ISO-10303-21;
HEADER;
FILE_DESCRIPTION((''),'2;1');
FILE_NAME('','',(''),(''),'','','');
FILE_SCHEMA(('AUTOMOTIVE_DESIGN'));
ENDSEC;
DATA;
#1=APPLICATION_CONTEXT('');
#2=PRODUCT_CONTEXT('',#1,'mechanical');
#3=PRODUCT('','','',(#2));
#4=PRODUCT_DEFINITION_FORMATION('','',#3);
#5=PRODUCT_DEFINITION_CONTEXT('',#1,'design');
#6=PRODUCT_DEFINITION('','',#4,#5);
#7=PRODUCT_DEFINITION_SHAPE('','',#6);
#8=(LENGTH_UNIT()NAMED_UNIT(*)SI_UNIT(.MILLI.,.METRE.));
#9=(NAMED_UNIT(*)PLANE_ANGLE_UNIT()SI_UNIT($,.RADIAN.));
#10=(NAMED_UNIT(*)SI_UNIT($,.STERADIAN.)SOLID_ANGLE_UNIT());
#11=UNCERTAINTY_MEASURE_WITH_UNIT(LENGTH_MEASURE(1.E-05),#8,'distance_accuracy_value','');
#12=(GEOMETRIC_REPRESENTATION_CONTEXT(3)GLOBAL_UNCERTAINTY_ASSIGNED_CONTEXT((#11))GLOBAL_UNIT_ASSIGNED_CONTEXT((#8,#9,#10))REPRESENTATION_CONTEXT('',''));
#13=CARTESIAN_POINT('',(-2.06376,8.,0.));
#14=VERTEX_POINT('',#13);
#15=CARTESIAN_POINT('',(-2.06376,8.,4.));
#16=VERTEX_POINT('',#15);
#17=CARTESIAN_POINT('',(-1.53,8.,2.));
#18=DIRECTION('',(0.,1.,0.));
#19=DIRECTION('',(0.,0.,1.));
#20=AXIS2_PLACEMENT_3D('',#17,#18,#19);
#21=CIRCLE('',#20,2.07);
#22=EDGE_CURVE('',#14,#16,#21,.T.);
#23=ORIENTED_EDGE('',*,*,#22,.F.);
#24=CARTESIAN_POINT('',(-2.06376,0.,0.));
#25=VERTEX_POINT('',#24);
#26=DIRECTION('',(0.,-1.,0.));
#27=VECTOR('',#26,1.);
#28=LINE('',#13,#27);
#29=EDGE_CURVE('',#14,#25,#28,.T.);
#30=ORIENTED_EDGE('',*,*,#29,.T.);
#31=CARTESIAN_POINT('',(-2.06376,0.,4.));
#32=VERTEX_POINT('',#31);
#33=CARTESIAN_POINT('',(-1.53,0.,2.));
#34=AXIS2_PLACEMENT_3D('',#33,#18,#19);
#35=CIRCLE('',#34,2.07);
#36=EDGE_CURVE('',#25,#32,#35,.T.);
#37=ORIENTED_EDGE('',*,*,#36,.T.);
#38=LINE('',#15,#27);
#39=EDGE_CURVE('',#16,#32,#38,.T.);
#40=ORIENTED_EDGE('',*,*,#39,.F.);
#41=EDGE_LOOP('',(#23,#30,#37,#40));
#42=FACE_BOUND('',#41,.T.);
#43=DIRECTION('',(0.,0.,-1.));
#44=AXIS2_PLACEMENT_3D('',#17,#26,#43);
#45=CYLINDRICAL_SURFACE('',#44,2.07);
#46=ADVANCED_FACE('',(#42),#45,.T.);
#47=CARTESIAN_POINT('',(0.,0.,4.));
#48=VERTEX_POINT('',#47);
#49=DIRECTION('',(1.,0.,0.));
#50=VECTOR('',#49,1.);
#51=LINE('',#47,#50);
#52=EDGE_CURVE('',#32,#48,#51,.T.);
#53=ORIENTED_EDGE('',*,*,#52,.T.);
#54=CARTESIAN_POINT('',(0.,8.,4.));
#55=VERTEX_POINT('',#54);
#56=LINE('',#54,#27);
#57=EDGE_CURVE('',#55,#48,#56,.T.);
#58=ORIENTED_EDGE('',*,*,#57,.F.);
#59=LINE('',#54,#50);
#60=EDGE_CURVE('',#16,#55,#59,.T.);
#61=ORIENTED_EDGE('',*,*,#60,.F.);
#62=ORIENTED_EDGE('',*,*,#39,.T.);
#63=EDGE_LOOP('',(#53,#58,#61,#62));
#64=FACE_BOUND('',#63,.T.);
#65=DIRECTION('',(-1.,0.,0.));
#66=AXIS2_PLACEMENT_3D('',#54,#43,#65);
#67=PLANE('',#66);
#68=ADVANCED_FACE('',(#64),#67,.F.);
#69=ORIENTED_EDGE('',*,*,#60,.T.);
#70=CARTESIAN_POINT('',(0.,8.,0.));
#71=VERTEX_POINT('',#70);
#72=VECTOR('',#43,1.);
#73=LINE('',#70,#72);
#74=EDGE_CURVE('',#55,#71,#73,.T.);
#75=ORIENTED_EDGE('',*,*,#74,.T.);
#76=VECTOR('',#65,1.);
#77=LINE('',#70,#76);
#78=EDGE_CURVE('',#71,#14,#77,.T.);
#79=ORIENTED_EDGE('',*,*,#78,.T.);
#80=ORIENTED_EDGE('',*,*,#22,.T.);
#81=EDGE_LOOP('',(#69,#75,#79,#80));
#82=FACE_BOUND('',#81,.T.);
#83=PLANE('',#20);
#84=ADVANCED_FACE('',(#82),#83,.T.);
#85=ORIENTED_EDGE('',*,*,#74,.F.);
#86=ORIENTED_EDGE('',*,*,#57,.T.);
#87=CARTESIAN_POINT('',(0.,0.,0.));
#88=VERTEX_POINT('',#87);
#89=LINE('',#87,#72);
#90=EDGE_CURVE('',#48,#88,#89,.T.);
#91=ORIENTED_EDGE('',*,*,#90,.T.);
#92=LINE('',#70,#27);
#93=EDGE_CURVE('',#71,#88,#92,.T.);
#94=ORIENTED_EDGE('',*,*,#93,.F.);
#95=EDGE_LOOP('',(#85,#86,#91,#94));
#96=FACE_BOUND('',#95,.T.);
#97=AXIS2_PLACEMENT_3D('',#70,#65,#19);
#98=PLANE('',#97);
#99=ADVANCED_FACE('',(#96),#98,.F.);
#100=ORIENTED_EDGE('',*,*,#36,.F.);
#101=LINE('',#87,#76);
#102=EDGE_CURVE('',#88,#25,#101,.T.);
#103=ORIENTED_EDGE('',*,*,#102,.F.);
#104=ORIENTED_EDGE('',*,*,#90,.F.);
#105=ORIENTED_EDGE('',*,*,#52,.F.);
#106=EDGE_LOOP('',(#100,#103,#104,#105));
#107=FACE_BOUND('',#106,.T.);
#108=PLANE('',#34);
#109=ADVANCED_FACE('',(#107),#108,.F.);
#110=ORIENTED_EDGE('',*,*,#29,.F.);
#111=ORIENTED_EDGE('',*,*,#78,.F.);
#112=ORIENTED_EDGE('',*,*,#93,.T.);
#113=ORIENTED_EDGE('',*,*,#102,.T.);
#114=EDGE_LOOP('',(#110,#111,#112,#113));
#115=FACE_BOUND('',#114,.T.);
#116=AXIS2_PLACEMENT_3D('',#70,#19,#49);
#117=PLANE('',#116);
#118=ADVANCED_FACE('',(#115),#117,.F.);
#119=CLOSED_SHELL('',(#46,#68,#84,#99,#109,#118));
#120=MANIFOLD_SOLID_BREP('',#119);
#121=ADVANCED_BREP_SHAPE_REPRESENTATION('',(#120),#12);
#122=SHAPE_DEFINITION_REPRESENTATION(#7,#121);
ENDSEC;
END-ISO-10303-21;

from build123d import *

# Parameters (mm, degrees)
EXTRUDE_1_DEPTH = 8


with BuildPart() as part:
    # 草图1 → 凸台-拉伸1 (new body)
    with BuildSketch(Plane(origin=(0, 0, 0), x_dir=(1, 0, 0), z_dir=(0, 1, 0))):
        with BuildLine():
            Line((0, 0), (0, -4))
            Line((0, -4), (-2.063760246, -4))
            ThreePointArc((-2.063760246, -4), (-3.6, -2), (-2.063760246, 0))
            Line((-2.063760246, 0), (0, 0))
        make_face()
    extrude(amount=EXTRUDE_1_DEPTH)


solid = part.part
